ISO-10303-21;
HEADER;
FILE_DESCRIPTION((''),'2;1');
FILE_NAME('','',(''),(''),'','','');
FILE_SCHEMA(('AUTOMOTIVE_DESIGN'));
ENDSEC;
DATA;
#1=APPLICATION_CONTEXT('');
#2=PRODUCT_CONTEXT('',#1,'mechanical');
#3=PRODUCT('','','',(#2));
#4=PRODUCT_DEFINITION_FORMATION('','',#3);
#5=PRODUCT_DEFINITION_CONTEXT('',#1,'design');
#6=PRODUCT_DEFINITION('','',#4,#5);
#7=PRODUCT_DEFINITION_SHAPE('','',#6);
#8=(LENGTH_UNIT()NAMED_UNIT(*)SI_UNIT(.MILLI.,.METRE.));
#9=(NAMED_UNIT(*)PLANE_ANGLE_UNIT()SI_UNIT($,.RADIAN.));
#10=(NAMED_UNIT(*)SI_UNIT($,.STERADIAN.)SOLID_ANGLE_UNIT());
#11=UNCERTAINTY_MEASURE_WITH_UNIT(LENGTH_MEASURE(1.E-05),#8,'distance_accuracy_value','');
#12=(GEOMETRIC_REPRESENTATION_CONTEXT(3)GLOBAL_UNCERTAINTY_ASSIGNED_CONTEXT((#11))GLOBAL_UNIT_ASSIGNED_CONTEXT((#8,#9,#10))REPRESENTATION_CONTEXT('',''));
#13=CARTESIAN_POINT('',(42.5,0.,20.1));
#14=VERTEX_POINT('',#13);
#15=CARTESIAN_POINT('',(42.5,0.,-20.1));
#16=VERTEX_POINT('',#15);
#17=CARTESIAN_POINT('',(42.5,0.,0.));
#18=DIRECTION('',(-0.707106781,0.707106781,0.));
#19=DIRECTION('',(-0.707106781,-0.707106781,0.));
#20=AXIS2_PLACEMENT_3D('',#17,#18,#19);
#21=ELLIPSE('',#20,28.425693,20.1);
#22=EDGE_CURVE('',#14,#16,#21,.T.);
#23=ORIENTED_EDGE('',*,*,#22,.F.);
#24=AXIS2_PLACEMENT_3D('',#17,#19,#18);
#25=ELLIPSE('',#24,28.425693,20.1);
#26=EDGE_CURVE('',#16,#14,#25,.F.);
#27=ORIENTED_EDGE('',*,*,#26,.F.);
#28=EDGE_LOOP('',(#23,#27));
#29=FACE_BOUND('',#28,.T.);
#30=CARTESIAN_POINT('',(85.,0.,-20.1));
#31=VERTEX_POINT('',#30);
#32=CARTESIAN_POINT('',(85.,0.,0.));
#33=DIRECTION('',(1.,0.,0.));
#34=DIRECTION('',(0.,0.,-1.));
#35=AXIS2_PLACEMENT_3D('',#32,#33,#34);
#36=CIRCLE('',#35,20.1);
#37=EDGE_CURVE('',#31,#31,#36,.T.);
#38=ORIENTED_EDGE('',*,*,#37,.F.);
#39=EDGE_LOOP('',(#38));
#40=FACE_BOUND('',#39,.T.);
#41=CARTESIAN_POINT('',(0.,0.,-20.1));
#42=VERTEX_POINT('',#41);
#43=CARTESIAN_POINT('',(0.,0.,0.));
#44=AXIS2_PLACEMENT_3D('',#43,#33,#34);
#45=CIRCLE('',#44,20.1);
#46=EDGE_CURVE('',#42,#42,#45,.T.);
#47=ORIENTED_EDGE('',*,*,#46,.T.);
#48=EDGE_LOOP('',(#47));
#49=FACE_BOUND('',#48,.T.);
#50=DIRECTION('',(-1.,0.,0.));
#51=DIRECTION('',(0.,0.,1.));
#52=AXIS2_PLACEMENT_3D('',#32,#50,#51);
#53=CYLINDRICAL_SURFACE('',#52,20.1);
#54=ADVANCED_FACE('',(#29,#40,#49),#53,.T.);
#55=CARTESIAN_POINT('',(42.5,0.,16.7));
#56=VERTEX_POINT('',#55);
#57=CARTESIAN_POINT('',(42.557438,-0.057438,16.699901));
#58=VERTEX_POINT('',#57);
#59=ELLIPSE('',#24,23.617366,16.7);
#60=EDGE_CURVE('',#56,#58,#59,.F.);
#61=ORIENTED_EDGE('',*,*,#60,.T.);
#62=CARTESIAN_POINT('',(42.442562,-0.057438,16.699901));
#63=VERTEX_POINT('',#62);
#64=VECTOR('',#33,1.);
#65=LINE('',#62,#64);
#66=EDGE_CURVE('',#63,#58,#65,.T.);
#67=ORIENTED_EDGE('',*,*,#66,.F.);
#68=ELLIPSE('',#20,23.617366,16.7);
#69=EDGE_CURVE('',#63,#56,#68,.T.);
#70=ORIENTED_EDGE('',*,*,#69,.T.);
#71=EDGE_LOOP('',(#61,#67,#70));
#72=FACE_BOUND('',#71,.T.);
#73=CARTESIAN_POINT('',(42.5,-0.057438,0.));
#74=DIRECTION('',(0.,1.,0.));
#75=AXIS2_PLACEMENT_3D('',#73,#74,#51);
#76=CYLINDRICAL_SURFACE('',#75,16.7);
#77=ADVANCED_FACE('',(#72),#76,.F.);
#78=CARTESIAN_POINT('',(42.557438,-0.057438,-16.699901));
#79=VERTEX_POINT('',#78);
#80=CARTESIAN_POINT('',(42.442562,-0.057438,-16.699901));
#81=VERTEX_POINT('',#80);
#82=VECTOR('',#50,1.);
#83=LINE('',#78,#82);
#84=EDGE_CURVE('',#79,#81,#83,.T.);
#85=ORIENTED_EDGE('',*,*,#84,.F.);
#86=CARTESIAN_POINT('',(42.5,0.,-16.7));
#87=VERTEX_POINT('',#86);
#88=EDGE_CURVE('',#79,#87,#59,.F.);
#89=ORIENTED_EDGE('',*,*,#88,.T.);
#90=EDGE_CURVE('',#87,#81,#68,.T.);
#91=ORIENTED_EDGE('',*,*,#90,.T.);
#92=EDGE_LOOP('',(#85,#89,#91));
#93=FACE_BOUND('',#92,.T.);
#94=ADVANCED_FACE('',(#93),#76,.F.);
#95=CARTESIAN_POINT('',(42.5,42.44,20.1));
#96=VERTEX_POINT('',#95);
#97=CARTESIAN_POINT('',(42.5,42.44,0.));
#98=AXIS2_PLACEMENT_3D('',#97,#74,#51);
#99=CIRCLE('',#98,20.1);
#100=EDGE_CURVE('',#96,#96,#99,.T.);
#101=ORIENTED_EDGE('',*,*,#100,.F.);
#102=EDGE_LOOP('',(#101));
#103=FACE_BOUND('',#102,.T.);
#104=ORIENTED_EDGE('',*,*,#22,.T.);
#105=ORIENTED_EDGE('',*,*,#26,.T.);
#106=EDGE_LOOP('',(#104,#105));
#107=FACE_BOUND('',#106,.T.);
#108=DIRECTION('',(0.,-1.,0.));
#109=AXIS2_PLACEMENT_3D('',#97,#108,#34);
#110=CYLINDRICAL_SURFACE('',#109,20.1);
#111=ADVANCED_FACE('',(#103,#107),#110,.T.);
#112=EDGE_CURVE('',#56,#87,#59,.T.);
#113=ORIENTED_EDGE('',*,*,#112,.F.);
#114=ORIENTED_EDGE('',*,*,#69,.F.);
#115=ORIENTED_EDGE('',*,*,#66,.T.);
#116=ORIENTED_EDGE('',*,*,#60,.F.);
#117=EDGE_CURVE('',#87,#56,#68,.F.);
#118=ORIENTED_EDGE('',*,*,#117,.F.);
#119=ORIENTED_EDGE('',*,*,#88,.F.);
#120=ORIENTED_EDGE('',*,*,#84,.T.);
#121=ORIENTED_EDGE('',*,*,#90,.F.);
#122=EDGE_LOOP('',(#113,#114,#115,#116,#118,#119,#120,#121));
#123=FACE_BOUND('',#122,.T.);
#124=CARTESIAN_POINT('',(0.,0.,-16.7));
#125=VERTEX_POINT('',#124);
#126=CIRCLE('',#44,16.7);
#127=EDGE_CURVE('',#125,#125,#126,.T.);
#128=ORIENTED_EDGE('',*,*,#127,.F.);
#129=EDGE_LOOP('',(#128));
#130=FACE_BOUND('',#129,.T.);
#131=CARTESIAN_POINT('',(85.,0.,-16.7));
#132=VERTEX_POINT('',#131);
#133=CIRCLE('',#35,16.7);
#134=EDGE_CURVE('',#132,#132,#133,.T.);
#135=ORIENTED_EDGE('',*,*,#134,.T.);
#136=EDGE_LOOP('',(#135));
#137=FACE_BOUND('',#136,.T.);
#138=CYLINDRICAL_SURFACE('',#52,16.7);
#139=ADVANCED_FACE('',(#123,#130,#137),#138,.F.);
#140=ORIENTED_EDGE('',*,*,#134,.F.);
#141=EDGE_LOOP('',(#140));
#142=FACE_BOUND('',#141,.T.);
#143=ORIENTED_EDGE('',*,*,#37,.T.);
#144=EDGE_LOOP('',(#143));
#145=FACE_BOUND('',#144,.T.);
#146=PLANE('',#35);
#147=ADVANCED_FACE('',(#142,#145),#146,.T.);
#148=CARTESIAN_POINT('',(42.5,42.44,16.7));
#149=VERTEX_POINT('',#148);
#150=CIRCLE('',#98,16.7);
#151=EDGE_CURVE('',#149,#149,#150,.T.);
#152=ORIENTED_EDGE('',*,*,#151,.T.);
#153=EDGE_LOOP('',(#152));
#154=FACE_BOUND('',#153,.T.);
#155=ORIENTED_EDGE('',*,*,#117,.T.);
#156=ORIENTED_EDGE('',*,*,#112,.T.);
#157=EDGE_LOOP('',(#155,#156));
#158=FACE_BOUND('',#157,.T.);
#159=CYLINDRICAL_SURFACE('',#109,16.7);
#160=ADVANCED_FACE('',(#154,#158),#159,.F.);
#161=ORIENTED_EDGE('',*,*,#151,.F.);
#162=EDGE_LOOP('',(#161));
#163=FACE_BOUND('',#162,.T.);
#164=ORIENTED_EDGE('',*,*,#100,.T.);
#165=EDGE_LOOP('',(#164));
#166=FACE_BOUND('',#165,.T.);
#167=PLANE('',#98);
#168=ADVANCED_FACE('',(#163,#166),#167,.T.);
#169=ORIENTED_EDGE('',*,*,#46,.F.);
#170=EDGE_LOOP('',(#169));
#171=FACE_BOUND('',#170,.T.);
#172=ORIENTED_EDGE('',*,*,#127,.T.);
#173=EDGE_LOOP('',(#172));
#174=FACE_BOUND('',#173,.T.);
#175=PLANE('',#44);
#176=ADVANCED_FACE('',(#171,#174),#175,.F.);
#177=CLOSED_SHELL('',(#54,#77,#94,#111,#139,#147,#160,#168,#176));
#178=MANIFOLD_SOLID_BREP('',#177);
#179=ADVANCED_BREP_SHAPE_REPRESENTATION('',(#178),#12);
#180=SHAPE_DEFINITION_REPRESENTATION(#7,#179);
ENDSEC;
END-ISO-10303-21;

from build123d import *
from build123d.topology import SkipClean

# Parameters (mm, degrees)
CROQUIS1_R              = 20.1
CROQUIS1_R_2            = 16.7
SALIENTE_EXTRUIR1_DEPTH = 85
CROQUIS2_R              = 20.1
CROQUIS2_R_2            = 16.7
SALIENTE_EXTRUIR2_DEPTH = 42.44
CROQUIS3_R              = 16.7
CORTAR_EXTRUIR1_DEPTH   = 84.497438367
CORTAR_EXTRUIR2_START   = -42.497438367
CROQUIS5_R              = 16.7
CORTAR_EXTRUIR2_DEPTH   = 42.497438367


with BuildPart() as part:
    # Croquis1 → Saliente-Extruir1 (new body)
    with BuildSketch(Plane(origin=(0, 0, 0), x_dir=(0, 0, -1), z_dir=(1, 0, 0))):
        Circle(CROQUIS1_R)
        Circle(CROQUIS1_R_2, mode=Mode.SUBTRACT)
    extrude(amount=SALIENTE_EXTRUIR1_DEPTH)

    # Croquis2 → Saliente-Extruir2 (add)
    with BuildSketch(Plane(origin=(0, 0, 0), x_dir=(1, 0, 0), z_dir=(0, 1, 0))):
        with Locations(Location((42.5, 0, 0), (0, 0, 270))):
            Circle(CROQUIS2_R)
        with Locations(Location((42.5, 0, 0), (0, 0, 90))):
            Circle(CROQUIS2_R_2, mode=Mode.SUBTRACT)
    extrude(amount=SALIENTE_EXTRUIR2_DEPTH)

    # Croquis3 → Cortar-Extruir1 (cut)
    with SkipClean():  # the faces are left unmerged after this step: merging them gives an invalid solid
        with BuildSketch(Plane.ZY):
            with Locations(Location((0, 0, 0), (0, 0, 180))):
                Circle(CROQUIS3_R)
        extrude(amount=-CORTAR_EXTRUIR1_DEPTH, mode=Mode.SUBTRACT)

    # Croquis5 → Cortar-Extruir2 (cut)
    with SkipClean():  # the faces are left unmerged after this step: merging them gives an invalid solid
        with BuildSketch(Plane(origin=(0, 42.44, 0), x_dir=(1, 0, 0), z_dir=(0, 1, 0)).offset(CORTAR_EXTRUIR2_START)):
            with Locations(Location((42.5, 0, 0), (0, 0, 270))):
                Circle(CROQUIS5_R)
        extrude(amount=CORTAR_EXTRUIR2_DEPTH, mode=Mode.SUBTRACT)


solid = part.part
